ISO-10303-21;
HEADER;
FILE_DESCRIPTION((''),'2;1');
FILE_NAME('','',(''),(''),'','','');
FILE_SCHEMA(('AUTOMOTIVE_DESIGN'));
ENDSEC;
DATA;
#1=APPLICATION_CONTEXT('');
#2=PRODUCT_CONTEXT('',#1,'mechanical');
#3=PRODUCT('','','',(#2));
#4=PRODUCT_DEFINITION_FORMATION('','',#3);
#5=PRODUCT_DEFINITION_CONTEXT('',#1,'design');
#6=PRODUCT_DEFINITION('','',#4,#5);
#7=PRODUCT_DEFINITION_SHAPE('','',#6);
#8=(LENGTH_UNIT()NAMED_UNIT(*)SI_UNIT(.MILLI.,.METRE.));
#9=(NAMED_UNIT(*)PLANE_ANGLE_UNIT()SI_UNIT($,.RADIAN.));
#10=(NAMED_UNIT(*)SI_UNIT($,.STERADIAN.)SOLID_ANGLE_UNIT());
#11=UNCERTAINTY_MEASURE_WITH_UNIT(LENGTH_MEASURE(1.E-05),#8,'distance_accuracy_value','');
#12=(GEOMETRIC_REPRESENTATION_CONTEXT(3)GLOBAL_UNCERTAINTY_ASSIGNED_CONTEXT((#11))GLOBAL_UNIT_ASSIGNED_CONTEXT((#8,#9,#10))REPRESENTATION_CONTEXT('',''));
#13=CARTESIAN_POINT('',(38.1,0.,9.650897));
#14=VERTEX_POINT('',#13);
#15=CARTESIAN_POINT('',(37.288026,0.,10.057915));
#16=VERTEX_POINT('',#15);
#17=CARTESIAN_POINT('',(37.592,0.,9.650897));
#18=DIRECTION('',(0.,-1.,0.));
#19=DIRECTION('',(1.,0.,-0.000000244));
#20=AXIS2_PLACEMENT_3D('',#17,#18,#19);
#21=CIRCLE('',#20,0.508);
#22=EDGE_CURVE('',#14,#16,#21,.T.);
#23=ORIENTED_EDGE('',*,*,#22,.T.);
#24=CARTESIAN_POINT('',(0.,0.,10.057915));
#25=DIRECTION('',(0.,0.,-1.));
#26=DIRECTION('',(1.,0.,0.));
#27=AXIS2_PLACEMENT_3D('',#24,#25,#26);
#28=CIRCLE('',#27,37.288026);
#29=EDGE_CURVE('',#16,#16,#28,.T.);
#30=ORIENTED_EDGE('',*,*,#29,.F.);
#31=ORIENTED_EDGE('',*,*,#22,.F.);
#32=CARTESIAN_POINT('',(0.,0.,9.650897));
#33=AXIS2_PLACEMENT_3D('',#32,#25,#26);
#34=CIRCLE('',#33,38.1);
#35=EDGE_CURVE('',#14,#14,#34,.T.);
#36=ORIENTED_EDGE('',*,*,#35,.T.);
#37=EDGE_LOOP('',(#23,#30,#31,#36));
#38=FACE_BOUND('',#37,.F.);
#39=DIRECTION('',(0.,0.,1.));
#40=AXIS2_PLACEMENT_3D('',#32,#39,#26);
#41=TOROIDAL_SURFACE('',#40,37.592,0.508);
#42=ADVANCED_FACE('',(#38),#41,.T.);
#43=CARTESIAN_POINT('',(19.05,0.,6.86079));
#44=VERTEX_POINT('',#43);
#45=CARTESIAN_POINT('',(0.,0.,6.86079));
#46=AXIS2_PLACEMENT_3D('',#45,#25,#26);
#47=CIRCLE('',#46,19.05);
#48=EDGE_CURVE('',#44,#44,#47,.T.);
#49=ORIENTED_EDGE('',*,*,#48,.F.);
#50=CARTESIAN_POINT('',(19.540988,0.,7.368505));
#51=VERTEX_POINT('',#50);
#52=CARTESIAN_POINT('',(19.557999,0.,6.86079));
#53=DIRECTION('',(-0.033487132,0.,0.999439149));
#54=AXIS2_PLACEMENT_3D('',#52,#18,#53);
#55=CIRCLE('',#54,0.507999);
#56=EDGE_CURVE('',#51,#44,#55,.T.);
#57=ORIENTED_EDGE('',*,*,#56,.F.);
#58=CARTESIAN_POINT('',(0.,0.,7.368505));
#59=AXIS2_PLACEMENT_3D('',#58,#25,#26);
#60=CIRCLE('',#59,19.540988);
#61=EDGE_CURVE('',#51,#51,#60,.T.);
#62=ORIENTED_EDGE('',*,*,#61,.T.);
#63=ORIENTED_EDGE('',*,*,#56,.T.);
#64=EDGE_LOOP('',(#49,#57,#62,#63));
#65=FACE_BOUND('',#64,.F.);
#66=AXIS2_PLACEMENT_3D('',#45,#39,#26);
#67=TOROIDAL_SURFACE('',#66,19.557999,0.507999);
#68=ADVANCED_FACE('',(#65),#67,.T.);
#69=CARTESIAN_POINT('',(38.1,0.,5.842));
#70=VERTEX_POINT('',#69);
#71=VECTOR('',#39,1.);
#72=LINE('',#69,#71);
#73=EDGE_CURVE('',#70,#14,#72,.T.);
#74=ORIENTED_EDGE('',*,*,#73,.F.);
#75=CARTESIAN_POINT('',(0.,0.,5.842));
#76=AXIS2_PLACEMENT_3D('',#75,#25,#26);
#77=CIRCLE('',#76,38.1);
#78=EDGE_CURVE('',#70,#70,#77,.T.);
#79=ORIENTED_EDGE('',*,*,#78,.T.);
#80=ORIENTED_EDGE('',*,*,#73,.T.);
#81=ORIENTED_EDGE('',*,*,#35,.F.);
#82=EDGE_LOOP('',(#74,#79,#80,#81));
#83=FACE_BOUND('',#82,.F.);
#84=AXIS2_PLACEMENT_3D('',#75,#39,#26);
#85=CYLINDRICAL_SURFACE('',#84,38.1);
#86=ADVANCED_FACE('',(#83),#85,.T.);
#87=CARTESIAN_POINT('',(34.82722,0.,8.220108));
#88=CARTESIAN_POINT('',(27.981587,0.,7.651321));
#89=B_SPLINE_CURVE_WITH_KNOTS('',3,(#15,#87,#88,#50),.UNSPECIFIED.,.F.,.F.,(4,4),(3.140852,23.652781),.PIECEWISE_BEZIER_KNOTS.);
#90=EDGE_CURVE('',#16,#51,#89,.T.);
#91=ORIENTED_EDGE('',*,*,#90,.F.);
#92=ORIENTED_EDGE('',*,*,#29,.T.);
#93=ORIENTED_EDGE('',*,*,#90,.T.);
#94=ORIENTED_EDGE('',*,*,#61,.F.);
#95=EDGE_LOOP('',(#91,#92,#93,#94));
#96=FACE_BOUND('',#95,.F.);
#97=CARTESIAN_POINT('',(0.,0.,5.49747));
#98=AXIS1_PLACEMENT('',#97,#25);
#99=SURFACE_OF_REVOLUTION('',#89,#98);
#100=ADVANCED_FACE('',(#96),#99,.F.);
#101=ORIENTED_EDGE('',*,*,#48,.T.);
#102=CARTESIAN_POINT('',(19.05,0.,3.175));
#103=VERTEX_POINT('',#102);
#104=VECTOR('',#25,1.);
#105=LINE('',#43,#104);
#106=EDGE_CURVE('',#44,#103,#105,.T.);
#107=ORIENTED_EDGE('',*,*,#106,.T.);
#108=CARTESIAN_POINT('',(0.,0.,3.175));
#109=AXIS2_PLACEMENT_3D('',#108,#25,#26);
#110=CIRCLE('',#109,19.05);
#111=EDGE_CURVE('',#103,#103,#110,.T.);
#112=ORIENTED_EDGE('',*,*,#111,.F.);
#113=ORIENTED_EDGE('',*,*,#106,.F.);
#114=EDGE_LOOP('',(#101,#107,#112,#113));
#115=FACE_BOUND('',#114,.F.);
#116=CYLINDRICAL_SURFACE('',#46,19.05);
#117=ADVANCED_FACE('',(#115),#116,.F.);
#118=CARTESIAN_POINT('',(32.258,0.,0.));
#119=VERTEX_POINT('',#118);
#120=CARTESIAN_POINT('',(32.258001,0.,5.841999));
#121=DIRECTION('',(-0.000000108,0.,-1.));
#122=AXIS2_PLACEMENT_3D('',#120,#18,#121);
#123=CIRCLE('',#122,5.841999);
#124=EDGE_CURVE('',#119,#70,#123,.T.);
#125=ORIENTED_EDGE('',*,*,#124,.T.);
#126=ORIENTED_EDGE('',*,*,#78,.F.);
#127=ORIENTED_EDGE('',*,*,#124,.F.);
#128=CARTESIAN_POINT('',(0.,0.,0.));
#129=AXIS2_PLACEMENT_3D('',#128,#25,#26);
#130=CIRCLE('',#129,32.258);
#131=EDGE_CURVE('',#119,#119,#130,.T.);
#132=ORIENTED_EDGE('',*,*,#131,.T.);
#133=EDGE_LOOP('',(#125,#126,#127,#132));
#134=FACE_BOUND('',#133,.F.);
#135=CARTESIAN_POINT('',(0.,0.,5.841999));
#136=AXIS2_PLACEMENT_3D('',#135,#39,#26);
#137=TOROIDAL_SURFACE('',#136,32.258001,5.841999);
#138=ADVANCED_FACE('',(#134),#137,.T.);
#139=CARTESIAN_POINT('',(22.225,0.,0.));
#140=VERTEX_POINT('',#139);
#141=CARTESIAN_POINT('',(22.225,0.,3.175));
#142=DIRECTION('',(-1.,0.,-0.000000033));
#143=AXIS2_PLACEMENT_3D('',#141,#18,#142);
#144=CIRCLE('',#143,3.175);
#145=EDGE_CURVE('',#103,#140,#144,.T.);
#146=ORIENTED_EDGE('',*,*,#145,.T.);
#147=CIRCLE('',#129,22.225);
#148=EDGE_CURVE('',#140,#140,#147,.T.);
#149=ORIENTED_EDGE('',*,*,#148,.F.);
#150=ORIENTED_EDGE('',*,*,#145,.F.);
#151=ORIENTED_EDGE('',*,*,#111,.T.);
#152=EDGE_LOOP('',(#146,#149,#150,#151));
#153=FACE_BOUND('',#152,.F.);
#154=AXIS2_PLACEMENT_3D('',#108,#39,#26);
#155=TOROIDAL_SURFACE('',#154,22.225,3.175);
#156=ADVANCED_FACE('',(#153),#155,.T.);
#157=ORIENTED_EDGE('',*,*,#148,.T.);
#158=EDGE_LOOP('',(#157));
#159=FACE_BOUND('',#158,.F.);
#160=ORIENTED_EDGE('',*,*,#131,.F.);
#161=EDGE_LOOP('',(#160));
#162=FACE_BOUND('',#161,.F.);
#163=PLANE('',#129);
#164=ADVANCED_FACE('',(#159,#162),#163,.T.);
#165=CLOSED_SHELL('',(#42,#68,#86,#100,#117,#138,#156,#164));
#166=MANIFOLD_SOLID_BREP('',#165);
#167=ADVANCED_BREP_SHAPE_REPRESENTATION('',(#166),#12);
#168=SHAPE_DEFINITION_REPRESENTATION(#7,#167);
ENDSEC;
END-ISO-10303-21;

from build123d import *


with BuildPart() as f1:
    # F0 (on Front) → F1 (revolve)
    with BuildSketch(Plane.XZ):
        with BuildLine():
            ThreePointArc((19.05, 3.175), (19.979936, 0.929936), (22.225, 0))
            Line((22.225, 0), (32.258, 0))
            ThreePointArc((32.258, 0), (36.388918, 1.711082), (38.1, 5.842))
            Line((38.1, 5.842), (38.1, 9.650897))
            ThreePointArc((38.1, 9.650897), (37.819646, 10.105035), (37.288026, 10.057915))
            add(Edge.make_bspline(
                [(37.288026, 10.057915), (34.82722, 8.220108), (27.981587, 7.651321), (19.540988, 7.368505)],
                knots=[3.140852, 3.140852, 3.140852, 3.140852, 23.652781, 23.652781, 23.652781, 23.652781], degree=3))
            ThreePointArc((19.540988, 7.368505), (19.192825, 7.213935), (19.05, 6.86079))
            Line((19.05, 6.86079), (19.05, 3.175))
        make_face()
    revolve(axis=Axis((0, 0, 5.49747), (0, 0, -1)))


solid = f1.part
